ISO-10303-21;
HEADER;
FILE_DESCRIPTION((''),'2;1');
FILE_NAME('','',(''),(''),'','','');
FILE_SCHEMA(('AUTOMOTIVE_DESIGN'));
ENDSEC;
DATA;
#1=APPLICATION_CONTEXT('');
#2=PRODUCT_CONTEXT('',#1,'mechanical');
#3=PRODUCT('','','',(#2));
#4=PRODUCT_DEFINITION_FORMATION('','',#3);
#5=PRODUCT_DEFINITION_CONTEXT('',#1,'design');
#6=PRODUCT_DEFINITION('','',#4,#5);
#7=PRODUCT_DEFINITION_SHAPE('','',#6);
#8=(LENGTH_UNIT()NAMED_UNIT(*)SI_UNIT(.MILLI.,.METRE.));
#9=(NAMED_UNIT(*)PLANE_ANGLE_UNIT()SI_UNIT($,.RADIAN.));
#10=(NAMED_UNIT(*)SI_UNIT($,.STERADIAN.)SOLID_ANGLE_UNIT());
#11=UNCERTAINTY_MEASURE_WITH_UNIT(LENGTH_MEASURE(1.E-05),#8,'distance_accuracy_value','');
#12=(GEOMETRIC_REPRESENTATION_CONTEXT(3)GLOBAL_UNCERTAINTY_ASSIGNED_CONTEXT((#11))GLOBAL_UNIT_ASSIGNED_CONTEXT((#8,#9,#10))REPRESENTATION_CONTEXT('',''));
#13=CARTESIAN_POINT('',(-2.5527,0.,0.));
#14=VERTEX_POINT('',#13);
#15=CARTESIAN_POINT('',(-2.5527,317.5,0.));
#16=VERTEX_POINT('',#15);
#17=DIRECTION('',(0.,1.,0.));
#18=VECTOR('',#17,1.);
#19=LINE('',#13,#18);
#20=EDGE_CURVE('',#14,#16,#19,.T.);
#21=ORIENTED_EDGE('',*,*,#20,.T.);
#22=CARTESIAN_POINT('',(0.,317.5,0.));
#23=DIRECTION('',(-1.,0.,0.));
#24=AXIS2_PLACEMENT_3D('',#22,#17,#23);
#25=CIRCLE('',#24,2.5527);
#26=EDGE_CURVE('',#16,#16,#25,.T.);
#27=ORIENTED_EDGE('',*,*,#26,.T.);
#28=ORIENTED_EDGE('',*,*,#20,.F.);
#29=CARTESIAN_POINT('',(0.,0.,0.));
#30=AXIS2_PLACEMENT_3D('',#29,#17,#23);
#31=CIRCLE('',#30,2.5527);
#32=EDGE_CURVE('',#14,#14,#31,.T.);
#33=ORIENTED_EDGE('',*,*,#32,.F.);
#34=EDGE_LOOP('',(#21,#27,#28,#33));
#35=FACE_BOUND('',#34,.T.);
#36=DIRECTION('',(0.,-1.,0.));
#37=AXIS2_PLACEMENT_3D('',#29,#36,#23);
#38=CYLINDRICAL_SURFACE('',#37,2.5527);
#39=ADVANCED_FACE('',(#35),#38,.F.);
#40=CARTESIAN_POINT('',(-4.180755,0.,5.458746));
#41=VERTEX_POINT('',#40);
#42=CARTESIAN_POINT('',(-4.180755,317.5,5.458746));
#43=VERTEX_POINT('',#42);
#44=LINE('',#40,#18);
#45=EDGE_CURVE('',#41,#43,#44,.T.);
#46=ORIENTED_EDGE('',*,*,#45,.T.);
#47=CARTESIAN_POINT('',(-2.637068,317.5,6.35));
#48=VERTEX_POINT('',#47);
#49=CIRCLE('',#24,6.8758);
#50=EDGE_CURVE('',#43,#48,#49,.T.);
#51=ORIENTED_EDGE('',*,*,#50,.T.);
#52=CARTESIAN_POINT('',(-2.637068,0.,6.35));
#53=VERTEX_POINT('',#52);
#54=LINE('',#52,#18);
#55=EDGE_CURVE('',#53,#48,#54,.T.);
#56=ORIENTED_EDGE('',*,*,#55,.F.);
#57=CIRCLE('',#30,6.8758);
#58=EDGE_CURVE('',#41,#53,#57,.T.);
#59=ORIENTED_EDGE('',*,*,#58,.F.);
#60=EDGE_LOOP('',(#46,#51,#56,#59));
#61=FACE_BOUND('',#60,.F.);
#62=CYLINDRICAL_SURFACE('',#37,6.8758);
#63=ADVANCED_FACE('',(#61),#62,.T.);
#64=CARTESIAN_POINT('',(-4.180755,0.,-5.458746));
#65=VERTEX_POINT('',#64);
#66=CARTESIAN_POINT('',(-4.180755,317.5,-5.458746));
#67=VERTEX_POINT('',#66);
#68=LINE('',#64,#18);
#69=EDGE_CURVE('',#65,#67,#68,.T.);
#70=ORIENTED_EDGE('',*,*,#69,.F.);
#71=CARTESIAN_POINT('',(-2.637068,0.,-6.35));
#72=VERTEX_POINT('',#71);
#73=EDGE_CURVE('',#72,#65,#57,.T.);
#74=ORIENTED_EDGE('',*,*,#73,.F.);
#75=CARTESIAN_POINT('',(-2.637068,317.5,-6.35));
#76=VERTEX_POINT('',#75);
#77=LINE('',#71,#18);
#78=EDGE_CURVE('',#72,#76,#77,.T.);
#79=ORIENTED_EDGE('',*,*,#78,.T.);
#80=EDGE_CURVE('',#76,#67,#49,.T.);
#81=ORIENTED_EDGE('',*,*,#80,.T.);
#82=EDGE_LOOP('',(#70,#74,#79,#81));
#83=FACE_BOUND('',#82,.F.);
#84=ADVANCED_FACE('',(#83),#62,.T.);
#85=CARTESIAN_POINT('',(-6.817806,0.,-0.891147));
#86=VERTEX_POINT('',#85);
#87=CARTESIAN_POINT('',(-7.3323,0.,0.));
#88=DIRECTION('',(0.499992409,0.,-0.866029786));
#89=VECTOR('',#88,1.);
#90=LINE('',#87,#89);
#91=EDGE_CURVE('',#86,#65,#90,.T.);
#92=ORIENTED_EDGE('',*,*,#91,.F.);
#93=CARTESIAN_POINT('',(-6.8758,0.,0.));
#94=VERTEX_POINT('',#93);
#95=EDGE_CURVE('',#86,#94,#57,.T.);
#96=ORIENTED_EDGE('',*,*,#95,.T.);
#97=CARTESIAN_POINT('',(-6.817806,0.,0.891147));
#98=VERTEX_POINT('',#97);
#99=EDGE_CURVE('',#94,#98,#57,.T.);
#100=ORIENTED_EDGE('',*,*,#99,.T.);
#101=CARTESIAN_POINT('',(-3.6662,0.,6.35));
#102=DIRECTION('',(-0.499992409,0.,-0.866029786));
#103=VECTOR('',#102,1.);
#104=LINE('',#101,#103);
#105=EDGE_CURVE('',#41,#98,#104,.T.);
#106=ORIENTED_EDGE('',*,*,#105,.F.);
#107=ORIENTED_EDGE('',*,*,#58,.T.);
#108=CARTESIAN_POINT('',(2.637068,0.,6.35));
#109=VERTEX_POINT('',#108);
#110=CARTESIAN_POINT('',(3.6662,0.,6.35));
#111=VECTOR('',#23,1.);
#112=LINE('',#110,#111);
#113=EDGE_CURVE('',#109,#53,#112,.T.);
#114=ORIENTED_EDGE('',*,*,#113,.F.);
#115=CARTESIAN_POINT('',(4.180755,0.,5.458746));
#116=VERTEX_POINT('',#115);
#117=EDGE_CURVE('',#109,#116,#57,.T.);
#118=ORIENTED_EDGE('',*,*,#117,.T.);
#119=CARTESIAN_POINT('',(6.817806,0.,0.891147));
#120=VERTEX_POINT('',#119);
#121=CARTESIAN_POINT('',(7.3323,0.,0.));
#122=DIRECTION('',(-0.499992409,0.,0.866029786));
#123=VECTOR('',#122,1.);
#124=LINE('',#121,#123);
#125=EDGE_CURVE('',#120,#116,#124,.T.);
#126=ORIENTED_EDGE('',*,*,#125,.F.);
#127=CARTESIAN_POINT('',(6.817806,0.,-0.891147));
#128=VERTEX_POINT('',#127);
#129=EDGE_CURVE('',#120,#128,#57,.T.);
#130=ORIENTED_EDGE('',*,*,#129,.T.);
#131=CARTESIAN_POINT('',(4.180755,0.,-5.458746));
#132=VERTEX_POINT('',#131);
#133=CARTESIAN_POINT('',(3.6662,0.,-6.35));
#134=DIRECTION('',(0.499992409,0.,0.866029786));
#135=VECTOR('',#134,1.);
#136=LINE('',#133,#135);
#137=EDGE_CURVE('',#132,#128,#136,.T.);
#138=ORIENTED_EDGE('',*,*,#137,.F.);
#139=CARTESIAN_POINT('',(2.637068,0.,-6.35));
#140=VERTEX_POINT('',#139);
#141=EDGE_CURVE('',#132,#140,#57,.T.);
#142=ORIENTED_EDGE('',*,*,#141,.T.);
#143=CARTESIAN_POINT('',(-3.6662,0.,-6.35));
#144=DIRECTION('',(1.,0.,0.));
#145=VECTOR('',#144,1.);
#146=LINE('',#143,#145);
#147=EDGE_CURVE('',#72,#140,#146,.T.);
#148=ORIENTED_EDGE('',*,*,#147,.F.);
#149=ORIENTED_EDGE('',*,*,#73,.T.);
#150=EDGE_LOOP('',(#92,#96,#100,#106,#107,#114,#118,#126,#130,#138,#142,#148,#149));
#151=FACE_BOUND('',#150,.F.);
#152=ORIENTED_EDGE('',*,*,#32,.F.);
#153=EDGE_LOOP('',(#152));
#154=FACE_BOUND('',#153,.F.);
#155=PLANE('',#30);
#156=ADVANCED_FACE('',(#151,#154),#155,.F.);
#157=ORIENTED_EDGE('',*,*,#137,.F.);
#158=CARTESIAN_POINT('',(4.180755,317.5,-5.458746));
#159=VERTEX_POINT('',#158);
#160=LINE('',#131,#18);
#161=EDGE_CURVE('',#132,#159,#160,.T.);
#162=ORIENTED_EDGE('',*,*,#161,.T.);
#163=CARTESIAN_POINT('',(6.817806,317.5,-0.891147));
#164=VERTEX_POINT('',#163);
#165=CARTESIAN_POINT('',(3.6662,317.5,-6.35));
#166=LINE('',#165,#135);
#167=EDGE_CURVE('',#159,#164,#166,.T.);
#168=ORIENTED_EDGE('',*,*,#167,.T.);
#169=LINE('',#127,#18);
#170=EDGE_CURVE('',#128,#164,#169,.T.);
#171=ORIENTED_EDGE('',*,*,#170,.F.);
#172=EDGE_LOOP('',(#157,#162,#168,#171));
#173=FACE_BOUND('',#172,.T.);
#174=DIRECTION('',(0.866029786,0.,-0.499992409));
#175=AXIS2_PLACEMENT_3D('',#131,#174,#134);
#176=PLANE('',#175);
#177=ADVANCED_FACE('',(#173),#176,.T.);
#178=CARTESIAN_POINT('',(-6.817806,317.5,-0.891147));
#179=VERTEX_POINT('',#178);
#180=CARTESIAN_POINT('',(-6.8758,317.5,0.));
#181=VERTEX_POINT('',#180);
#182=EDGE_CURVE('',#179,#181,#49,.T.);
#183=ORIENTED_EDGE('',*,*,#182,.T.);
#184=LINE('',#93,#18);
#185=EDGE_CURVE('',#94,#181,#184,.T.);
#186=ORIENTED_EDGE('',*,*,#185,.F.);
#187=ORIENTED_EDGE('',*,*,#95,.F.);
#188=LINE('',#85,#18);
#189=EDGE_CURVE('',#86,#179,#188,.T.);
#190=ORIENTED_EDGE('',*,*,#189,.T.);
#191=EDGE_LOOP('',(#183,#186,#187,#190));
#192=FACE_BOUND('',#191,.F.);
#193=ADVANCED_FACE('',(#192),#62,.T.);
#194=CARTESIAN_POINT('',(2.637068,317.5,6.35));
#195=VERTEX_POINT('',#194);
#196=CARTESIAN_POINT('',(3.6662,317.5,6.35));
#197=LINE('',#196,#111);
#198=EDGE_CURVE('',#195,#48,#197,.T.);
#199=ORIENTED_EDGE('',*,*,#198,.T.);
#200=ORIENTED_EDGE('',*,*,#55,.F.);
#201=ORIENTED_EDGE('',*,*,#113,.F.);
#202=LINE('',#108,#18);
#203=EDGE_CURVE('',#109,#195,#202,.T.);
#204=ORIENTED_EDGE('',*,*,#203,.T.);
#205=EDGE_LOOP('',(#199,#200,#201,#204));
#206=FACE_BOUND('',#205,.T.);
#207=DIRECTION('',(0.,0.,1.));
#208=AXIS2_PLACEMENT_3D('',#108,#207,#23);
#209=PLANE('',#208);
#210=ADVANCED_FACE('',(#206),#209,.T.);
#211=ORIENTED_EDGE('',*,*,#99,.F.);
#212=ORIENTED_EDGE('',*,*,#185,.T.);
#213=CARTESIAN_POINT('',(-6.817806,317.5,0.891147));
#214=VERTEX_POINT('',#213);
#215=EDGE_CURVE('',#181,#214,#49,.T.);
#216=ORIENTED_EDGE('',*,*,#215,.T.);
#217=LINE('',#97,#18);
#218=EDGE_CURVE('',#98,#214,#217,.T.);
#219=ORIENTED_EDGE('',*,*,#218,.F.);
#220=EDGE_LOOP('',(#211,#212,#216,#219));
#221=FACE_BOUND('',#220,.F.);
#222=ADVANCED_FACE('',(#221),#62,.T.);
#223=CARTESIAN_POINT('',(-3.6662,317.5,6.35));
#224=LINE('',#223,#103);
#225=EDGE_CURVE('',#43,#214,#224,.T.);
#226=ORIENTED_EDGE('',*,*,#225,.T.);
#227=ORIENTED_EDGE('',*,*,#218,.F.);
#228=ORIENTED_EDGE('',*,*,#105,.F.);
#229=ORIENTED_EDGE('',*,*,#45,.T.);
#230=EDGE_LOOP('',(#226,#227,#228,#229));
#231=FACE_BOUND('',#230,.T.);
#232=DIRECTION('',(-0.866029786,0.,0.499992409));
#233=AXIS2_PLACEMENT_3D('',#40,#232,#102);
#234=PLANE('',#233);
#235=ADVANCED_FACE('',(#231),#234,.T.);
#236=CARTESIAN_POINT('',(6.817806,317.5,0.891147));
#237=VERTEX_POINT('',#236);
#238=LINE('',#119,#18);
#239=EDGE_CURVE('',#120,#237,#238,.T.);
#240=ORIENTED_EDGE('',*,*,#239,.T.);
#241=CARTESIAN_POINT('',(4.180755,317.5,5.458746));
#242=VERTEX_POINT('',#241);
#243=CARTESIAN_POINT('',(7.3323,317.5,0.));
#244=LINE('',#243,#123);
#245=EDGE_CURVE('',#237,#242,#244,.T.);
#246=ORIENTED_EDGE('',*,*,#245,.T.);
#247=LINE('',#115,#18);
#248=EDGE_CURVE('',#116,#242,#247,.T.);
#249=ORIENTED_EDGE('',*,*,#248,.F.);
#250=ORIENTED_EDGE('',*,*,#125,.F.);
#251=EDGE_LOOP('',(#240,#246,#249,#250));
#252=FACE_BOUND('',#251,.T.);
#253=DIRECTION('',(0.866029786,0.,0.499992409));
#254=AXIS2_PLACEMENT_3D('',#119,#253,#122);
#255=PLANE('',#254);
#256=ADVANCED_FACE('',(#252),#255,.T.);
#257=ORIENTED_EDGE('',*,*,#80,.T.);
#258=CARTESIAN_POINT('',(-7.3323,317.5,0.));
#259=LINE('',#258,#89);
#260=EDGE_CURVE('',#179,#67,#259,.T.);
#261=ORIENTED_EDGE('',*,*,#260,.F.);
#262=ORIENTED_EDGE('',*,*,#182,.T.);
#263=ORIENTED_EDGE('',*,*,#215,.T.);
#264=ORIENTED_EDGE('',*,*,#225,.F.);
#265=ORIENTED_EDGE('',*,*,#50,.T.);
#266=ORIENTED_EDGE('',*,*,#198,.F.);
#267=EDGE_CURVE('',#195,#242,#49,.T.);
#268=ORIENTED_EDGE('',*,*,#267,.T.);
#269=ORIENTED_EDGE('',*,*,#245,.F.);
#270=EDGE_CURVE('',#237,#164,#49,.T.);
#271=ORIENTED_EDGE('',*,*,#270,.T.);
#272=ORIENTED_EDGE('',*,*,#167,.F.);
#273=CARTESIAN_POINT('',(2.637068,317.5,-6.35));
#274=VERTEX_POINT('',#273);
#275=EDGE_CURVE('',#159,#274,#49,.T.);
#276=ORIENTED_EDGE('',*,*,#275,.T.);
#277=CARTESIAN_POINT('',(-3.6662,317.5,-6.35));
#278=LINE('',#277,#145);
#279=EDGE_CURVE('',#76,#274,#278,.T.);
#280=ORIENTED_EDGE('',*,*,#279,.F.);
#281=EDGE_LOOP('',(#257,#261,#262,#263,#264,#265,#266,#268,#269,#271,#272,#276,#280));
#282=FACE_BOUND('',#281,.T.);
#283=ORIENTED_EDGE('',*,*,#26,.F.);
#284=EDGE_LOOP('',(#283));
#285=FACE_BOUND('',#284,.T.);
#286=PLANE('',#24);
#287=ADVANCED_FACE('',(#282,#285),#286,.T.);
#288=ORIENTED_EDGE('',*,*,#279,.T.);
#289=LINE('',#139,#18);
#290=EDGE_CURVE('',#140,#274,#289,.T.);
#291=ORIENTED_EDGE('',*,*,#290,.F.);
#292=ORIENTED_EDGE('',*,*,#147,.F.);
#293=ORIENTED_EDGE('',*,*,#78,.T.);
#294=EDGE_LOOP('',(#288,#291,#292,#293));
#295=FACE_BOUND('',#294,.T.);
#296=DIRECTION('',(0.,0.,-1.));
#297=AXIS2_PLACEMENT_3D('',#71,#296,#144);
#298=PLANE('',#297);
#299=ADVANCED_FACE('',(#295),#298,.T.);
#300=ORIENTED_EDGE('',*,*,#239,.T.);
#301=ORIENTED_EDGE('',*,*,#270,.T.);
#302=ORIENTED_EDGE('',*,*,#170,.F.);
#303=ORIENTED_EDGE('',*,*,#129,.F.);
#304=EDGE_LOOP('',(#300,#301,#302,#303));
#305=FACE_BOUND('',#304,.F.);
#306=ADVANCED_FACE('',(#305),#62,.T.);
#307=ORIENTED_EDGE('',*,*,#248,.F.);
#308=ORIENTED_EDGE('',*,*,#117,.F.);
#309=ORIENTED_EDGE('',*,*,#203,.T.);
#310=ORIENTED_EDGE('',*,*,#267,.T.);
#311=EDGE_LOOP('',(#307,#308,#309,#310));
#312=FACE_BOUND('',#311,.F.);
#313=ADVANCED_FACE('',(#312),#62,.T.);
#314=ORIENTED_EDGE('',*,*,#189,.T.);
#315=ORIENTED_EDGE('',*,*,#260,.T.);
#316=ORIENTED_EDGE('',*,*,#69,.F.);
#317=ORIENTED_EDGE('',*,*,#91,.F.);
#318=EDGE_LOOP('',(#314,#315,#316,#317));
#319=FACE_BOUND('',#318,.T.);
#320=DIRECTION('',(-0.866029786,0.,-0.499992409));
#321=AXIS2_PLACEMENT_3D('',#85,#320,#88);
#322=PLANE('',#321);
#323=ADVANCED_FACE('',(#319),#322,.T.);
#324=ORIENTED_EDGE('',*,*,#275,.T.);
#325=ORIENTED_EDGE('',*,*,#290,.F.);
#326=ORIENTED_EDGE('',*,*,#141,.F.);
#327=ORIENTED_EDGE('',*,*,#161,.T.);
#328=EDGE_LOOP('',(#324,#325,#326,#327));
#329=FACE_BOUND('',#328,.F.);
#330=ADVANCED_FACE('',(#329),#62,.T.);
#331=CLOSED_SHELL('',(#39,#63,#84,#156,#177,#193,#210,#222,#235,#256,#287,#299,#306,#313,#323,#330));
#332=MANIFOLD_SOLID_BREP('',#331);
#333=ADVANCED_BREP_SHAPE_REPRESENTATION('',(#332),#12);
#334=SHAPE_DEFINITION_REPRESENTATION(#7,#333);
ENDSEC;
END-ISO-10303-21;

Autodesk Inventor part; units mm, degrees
ref_plane "YZ Plane" through (0, 0, 0) normal (1, 0, 0) x (0, 1, 0)
ref_plane "XZ Plane" through (0, 0, 0) normal (0, 1, 0) x (-1, 0, 0)
ref_plane "XY Plane" through (0, 0, 0) normal (0, 0, 1) x (1, 0, 0)
sketch "Sketch1" plane through (0, 0, 0) normal (0, 1, 0) x (-1, 0, 0)
  line L0 (7.3323, 0) -> (3.6662, -6.35)
  line L1 (3.6662, -6.35) -> (-3.6662, -6.35)
  line L2 (-3.6662, -6.35) -> (-7.3323, 0)
  line L3 (-7.3323, 0) -> (-3.6662, 6.35)
  line L4 (-3.6662, 6.35) -> (3.6662, 6.35)
  line L5 (3.6662, 6.35) -> (7.3323, 0)
  circle A0 centre (0, 0) radius 2.5527
  circle A1 centre (0, 0) radius 6.8758
  point P0 (2.637, -6.35)
  point P1 (4.1808, -5.4587)
  point P2 (6.8178, -0.8913)
  point P3 (6.8178, 0.8913)
  point P4 (4.1808, 5.4587)
  point P5 (2.637, 6.35)
  point P6 (-2.637, 6.35)
  point P7 (-4.1808, 5.4587)
  point P8 (-6.8178, 0.8913)
  point P9 (-6.8178, -0.8913)
  point P10 (-4.1808, -5.4587)
  point P11 (-2.637, -6.35)
  dimension "d0" = 6.35
  dimension "d1" = 5.1054
  dimension "d2" = 13.7516
extrude "Extrusion1" add sketch "Sketch1" along normal blind 317.5 contours L0 A1 L1 L2 L3 L4 L5
properties part number "thunder hex 12_5in"
